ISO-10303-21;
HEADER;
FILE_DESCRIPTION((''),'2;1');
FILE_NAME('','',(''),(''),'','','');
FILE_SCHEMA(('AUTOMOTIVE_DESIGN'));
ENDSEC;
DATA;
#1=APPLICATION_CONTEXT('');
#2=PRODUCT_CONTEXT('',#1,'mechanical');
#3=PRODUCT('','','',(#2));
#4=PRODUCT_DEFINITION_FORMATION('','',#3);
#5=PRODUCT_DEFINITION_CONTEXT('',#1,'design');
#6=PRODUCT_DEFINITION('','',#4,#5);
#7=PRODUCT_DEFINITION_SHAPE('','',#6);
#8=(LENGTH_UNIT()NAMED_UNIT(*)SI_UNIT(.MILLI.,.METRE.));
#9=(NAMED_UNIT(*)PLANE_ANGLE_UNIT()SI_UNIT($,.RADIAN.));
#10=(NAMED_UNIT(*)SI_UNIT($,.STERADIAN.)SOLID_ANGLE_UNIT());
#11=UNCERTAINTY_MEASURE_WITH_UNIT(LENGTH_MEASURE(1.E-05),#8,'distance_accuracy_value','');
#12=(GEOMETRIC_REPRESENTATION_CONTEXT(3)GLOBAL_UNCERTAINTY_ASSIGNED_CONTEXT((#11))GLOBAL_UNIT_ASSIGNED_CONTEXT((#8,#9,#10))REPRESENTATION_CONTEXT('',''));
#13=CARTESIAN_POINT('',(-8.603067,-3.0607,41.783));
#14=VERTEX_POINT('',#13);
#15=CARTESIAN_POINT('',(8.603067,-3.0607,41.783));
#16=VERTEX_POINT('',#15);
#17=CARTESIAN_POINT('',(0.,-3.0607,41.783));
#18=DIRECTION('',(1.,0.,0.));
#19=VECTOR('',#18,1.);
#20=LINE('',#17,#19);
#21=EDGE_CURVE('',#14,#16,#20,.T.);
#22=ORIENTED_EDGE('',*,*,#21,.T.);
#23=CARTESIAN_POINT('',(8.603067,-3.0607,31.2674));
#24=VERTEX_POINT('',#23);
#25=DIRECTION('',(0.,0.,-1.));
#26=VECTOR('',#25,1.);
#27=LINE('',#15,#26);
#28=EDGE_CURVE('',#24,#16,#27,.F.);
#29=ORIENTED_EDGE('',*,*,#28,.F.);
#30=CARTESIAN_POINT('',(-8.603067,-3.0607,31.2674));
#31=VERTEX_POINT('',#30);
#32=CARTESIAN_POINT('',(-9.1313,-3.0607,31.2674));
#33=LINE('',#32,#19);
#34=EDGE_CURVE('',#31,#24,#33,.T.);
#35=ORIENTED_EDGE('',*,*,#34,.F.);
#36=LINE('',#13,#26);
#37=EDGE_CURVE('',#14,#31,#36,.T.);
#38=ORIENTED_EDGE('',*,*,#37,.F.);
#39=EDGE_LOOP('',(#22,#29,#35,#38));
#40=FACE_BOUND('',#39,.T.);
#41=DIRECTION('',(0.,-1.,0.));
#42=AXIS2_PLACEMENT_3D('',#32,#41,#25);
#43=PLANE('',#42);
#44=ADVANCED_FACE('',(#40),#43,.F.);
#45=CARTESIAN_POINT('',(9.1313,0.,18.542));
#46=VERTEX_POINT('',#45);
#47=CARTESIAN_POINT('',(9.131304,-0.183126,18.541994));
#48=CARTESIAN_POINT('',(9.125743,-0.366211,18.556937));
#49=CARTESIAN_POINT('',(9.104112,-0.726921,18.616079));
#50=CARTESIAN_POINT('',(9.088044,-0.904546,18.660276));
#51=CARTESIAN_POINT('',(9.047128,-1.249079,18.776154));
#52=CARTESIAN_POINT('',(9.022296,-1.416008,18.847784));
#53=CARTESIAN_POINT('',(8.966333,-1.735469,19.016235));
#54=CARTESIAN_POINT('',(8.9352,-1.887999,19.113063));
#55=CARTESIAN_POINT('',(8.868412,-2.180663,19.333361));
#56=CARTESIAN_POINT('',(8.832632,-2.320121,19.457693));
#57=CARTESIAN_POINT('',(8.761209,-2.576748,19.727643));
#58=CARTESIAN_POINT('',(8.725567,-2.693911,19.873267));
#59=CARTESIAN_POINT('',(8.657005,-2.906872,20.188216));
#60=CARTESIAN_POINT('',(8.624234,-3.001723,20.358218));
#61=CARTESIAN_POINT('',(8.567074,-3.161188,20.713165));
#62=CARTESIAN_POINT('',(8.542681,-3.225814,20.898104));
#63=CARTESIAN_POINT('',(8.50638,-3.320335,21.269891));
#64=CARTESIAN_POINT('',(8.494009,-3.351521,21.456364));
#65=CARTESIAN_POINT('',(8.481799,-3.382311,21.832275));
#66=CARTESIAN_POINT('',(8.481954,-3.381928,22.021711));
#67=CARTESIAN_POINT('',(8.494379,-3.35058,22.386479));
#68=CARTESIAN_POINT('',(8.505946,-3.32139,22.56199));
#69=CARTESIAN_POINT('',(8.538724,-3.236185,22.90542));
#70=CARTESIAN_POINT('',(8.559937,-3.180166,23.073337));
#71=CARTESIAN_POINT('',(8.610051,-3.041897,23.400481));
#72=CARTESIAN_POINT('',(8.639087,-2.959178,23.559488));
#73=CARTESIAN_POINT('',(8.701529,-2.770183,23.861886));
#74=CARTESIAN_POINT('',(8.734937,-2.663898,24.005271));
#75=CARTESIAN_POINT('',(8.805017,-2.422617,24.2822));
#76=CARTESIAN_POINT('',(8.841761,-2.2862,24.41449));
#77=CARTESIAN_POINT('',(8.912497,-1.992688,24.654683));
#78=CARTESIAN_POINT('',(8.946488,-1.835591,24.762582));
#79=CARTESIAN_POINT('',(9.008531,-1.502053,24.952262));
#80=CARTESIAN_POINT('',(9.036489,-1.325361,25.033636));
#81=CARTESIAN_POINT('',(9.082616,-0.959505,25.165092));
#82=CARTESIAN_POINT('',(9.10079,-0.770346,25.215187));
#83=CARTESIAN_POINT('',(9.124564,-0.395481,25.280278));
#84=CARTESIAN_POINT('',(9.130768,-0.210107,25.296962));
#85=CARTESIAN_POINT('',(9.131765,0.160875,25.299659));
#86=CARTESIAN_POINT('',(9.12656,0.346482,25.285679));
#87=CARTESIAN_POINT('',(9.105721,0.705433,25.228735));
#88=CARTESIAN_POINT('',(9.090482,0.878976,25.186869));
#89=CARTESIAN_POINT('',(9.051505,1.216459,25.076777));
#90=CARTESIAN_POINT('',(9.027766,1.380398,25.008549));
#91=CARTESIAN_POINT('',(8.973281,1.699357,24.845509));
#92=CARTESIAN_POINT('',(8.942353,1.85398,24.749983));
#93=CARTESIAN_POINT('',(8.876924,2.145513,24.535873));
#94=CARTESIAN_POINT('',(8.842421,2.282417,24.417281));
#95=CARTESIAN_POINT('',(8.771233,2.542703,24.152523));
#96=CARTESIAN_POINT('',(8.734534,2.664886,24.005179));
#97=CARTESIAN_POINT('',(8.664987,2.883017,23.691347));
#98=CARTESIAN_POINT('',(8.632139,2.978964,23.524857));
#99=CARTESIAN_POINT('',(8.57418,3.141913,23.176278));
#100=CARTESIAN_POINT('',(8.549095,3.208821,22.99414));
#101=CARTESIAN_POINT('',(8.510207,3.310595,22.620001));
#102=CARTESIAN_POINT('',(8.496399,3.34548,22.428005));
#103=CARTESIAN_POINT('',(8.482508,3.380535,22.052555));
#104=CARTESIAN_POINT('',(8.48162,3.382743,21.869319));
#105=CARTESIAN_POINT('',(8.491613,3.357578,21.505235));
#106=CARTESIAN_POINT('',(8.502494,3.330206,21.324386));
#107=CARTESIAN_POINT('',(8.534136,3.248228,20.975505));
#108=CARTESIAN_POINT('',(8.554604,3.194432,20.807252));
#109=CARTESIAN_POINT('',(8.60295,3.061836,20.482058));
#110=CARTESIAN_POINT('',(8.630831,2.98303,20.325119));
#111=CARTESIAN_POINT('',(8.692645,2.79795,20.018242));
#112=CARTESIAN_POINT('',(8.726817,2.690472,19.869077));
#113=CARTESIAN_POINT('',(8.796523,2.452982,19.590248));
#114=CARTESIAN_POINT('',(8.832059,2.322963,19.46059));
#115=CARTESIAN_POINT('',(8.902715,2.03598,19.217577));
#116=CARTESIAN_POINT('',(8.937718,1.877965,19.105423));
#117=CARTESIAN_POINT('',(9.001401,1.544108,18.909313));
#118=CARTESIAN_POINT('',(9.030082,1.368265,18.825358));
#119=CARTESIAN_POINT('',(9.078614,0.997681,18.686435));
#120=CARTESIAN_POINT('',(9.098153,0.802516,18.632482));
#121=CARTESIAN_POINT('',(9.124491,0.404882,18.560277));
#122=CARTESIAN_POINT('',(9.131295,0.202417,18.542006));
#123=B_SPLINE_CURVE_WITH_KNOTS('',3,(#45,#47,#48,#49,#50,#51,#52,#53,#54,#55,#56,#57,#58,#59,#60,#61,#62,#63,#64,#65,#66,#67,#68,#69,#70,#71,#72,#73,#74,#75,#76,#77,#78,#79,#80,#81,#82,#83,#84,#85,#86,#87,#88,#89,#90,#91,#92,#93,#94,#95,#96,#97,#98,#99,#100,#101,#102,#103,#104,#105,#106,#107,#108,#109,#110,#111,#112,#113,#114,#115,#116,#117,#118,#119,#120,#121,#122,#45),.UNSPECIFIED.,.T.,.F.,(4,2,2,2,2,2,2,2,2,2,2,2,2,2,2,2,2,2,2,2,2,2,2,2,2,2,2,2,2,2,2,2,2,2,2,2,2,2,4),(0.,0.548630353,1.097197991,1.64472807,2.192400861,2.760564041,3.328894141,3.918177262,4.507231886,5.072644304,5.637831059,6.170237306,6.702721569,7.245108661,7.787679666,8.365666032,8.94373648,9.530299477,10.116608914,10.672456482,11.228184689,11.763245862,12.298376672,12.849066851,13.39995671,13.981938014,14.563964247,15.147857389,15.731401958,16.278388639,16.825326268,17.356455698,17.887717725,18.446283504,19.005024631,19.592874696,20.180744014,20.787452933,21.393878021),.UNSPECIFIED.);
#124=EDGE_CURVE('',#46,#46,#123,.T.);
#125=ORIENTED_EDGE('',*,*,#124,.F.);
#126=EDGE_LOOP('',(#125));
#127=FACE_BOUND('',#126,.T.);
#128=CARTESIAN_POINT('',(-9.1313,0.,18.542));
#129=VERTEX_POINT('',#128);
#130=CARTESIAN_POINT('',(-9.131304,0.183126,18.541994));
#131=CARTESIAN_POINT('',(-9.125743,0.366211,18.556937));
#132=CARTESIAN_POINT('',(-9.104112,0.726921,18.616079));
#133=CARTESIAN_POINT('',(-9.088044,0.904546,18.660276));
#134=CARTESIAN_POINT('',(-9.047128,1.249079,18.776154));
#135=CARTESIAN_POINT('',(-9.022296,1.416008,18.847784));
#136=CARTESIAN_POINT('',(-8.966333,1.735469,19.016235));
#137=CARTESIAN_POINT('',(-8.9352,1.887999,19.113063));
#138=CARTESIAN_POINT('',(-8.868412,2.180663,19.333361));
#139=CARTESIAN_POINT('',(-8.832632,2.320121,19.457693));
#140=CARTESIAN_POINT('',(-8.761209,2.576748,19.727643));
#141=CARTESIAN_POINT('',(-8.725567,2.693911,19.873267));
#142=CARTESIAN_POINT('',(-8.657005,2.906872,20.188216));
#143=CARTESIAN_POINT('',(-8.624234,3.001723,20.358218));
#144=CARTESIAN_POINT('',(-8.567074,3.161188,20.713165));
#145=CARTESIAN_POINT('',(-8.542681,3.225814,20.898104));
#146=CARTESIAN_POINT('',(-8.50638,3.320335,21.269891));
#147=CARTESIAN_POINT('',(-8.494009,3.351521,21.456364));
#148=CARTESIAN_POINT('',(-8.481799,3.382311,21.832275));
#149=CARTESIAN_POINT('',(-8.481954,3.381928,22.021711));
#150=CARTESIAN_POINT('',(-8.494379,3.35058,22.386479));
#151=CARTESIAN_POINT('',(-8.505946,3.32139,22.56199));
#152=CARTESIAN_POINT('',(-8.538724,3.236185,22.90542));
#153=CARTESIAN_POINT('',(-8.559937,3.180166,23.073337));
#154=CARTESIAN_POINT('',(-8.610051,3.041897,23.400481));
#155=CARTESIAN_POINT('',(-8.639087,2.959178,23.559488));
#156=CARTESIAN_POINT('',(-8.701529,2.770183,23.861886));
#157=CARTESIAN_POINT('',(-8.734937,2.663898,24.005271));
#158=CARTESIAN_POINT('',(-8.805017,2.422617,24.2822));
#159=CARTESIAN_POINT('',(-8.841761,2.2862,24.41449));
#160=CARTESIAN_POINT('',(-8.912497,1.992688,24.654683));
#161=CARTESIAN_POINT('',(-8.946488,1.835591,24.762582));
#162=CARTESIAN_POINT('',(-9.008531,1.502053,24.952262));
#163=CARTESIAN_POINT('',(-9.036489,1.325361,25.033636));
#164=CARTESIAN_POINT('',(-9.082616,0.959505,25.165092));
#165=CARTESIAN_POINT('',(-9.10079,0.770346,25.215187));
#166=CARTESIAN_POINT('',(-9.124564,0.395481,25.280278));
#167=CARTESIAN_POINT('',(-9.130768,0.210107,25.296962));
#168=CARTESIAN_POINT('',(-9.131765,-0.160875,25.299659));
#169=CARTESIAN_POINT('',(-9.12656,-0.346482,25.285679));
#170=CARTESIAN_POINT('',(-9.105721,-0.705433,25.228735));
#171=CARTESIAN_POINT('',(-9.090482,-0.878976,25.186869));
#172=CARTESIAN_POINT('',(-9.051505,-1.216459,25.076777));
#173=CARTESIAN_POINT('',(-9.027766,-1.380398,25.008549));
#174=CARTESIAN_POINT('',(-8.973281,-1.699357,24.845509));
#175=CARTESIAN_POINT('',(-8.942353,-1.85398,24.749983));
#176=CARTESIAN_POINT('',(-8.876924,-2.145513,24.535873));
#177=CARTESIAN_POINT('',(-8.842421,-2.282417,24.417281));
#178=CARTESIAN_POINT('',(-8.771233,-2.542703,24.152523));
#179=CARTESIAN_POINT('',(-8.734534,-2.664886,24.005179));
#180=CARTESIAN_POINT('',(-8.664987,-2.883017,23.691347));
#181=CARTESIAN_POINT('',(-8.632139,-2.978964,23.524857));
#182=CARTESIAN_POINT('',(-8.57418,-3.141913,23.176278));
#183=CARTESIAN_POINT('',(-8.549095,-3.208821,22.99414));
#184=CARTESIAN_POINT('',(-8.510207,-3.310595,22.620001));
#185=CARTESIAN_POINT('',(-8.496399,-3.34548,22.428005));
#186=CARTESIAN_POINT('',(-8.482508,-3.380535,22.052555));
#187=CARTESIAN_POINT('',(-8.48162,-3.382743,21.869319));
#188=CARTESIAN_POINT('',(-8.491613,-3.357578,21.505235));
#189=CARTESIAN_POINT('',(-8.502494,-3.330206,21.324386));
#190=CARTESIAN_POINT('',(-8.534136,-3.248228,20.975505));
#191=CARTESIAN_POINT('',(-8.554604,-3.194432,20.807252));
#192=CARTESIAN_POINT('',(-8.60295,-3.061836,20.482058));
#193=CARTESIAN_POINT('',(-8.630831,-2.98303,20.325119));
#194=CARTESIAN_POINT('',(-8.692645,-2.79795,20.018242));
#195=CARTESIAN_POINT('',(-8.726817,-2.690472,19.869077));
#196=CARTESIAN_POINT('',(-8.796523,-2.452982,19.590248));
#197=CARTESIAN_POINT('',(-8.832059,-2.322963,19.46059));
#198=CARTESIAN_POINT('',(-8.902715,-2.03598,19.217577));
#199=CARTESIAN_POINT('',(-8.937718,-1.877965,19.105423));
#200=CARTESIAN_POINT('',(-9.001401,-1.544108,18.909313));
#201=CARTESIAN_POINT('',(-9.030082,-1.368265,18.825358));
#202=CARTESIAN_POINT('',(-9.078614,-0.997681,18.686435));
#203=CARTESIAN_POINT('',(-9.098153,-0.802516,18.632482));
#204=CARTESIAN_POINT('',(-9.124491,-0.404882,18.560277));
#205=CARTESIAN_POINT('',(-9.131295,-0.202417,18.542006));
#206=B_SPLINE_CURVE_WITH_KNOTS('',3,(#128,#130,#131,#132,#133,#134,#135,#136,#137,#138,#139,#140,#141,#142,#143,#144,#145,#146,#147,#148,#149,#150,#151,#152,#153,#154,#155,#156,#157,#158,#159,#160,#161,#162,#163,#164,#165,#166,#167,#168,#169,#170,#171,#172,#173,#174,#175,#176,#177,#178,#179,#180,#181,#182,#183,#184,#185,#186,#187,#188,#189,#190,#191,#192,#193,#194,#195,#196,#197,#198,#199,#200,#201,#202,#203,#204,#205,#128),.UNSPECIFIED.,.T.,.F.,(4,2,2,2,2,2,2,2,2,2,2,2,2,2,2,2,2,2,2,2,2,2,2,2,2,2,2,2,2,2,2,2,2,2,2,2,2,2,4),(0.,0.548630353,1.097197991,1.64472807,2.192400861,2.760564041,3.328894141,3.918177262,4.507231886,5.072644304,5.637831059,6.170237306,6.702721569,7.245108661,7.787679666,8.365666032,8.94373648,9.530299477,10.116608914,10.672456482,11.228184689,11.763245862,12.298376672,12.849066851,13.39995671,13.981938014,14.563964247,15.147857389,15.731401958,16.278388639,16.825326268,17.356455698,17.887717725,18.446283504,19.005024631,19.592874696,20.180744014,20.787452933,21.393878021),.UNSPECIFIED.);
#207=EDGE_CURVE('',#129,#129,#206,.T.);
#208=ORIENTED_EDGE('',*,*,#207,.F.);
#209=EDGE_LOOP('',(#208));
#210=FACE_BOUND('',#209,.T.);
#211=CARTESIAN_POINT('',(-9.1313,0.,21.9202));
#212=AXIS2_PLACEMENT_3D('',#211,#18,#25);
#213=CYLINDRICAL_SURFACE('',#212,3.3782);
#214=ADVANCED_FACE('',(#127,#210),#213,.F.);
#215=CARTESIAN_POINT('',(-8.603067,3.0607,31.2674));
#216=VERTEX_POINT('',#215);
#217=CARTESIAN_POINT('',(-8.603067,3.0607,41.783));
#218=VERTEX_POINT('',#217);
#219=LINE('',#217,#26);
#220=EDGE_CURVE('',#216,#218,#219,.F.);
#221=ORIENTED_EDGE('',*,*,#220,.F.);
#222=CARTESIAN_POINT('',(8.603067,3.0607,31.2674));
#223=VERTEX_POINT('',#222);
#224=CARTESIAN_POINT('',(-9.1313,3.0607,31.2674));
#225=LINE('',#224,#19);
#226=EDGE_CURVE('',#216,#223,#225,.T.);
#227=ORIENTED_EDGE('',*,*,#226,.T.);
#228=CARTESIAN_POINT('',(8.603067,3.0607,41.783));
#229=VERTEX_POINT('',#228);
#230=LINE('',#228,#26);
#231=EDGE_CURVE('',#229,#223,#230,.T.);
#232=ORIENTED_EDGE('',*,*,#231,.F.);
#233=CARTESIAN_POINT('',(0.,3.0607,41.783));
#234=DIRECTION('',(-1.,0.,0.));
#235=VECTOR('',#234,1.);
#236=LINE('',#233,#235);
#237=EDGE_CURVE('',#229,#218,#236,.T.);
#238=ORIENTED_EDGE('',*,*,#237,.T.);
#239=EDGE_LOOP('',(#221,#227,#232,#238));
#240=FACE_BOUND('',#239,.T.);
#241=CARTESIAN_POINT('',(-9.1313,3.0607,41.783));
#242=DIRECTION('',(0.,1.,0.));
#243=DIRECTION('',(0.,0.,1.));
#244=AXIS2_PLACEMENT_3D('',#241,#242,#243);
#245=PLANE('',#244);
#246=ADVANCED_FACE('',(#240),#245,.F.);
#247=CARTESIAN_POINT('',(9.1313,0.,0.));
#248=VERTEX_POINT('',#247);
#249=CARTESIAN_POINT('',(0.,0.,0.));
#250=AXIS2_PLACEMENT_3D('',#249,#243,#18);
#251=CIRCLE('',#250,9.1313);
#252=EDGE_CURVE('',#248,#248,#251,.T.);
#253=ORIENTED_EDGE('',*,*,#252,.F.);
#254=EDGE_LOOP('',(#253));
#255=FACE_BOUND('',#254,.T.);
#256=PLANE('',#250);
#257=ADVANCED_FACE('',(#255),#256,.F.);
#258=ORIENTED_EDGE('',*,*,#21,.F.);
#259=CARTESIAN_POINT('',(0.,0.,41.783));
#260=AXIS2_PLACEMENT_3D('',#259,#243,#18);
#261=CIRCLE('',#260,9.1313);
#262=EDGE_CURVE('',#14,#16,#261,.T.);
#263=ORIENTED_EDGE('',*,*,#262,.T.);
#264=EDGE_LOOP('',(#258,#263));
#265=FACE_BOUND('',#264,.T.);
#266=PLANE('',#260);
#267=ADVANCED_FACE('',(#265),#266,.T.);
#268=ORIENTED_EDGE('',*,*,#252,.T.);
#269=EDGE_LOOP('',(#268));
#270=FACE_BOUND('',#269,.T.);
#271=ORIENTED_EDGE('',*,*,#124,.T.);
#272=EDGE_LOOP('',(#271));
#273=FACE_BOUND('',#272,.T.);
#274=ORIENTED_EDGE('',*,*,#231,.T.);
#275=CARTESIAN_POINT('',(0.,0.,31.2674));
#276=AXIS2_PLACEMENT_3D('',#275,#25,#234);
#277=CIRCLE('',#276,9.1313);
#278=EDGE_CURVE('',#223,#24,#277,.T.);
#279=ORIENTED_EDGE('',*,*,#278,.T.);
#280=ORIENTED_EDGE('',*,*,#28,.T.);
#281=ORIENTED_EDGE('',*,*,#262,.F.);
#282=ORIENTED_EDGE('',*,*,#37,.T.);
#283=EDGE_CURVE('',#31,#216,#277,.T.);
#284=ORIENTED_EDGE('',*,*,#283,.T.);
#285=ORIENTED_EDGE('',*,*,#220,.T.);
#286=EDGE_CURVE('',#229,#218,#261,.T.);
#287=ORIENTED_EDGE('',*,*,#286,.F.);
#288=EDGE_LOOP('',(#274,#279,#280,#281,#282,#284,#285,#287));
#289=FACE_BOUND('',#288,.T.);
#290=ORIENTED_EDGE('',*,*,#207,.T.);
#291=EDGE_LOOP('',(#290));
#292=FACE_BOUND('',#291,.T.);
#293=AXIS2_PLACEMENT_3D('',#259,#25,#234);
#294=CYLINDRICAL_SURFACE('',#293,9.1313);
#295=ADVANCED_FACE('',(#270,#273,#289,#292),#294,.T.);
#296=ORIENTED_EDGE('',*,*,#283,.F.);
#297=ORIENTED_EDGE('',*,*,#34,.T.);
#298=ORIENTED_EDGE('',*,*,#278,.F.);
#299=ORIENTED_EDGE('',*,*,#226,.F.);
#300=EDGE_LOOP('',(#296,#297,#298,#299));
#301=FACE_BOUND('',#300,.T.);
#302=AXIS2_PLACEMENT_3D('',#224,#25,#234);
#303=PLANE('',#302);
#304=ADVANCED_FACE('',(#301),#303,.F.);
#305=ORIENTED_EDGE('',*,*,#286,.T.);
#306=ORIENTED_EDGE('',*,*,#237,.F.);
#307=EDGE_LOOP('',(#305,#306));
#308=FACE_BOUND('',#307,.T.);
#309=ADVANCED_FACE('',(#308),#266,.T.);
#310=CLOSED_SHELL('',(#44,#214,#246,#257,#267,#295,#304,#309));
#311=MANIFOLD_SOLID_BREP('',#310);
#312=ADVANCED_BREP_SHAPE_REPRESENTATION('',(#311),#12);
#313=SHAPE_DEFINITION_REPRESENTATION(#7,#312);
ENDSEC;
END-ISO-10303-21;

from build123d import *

# Parameters (mm, degrees)
SKETCH1_R               = 9.1313
BOSS_EXTRUDE1_DEPTH     = 41.783
CUT_EXTRUDE1_DEPTH      = 44.733058073
CUT_EXTRUDE1_DEPTH_BACK = 44.733058073
SKETCH2_R               = 3.3782
CUT_EXTRUDE3_DEPTH      = 44.73305821
CUT_EXTRUDE3_DEPTH_BACK = 44.73305821
SKETCH3_W               = 10.5156
SKETCH3_H               = 6.1214


with BuildPart() as part:
    # Sketch1 → Boss-Extrude1 (new body)
    with BuildSketch(Plane.XY):
        Circle(SKETCH1_R)
    extrude(amount=BOSS_EXTRUDE1_DEPTH)

    # Sketch2 → Cut-Extrude1 (cut, two sides: drawn at the far end of the back side and taken through both)
    with BuildSketch(Plane(origin=(0, 0, 0), x_dir=(0, 0, -1), z_dir=(1, 0, 0)).offset(-CUT_EXTRUDE1_DEPTH_BACK)):
        with Locations((-21.9202, 0)):
            Circle(SKETCH2_R)
    extrude(amount=CUT_EXTRUDE1_DEPTH + CUT_EXTRUDE1_DEPTH_BACK, mode=Mode.SUBTRACT)

    # Sketch3 → Cut-Extrude3 (cut, two sides: drawn at the far end of the back side and taken through both)
    with BuildSketch(Plane(origin=(0, 0, 0), x_dir=(0, 0, -1), z_dir=(1, 0, 0)).offset(-CUT_EXTRUDE3_DEPTH_BACK)):
        with Locations((-36.5252, 0)):
            Rectangle(SKETCH3_W, SKETCH3_H)
    extrude(amount=CUT_EXTRUDE3_DEPTH + CUT_EXTRUDE3_DEPTH_BACK, mode=Mode.SUBTRACT)


solid = part.part
